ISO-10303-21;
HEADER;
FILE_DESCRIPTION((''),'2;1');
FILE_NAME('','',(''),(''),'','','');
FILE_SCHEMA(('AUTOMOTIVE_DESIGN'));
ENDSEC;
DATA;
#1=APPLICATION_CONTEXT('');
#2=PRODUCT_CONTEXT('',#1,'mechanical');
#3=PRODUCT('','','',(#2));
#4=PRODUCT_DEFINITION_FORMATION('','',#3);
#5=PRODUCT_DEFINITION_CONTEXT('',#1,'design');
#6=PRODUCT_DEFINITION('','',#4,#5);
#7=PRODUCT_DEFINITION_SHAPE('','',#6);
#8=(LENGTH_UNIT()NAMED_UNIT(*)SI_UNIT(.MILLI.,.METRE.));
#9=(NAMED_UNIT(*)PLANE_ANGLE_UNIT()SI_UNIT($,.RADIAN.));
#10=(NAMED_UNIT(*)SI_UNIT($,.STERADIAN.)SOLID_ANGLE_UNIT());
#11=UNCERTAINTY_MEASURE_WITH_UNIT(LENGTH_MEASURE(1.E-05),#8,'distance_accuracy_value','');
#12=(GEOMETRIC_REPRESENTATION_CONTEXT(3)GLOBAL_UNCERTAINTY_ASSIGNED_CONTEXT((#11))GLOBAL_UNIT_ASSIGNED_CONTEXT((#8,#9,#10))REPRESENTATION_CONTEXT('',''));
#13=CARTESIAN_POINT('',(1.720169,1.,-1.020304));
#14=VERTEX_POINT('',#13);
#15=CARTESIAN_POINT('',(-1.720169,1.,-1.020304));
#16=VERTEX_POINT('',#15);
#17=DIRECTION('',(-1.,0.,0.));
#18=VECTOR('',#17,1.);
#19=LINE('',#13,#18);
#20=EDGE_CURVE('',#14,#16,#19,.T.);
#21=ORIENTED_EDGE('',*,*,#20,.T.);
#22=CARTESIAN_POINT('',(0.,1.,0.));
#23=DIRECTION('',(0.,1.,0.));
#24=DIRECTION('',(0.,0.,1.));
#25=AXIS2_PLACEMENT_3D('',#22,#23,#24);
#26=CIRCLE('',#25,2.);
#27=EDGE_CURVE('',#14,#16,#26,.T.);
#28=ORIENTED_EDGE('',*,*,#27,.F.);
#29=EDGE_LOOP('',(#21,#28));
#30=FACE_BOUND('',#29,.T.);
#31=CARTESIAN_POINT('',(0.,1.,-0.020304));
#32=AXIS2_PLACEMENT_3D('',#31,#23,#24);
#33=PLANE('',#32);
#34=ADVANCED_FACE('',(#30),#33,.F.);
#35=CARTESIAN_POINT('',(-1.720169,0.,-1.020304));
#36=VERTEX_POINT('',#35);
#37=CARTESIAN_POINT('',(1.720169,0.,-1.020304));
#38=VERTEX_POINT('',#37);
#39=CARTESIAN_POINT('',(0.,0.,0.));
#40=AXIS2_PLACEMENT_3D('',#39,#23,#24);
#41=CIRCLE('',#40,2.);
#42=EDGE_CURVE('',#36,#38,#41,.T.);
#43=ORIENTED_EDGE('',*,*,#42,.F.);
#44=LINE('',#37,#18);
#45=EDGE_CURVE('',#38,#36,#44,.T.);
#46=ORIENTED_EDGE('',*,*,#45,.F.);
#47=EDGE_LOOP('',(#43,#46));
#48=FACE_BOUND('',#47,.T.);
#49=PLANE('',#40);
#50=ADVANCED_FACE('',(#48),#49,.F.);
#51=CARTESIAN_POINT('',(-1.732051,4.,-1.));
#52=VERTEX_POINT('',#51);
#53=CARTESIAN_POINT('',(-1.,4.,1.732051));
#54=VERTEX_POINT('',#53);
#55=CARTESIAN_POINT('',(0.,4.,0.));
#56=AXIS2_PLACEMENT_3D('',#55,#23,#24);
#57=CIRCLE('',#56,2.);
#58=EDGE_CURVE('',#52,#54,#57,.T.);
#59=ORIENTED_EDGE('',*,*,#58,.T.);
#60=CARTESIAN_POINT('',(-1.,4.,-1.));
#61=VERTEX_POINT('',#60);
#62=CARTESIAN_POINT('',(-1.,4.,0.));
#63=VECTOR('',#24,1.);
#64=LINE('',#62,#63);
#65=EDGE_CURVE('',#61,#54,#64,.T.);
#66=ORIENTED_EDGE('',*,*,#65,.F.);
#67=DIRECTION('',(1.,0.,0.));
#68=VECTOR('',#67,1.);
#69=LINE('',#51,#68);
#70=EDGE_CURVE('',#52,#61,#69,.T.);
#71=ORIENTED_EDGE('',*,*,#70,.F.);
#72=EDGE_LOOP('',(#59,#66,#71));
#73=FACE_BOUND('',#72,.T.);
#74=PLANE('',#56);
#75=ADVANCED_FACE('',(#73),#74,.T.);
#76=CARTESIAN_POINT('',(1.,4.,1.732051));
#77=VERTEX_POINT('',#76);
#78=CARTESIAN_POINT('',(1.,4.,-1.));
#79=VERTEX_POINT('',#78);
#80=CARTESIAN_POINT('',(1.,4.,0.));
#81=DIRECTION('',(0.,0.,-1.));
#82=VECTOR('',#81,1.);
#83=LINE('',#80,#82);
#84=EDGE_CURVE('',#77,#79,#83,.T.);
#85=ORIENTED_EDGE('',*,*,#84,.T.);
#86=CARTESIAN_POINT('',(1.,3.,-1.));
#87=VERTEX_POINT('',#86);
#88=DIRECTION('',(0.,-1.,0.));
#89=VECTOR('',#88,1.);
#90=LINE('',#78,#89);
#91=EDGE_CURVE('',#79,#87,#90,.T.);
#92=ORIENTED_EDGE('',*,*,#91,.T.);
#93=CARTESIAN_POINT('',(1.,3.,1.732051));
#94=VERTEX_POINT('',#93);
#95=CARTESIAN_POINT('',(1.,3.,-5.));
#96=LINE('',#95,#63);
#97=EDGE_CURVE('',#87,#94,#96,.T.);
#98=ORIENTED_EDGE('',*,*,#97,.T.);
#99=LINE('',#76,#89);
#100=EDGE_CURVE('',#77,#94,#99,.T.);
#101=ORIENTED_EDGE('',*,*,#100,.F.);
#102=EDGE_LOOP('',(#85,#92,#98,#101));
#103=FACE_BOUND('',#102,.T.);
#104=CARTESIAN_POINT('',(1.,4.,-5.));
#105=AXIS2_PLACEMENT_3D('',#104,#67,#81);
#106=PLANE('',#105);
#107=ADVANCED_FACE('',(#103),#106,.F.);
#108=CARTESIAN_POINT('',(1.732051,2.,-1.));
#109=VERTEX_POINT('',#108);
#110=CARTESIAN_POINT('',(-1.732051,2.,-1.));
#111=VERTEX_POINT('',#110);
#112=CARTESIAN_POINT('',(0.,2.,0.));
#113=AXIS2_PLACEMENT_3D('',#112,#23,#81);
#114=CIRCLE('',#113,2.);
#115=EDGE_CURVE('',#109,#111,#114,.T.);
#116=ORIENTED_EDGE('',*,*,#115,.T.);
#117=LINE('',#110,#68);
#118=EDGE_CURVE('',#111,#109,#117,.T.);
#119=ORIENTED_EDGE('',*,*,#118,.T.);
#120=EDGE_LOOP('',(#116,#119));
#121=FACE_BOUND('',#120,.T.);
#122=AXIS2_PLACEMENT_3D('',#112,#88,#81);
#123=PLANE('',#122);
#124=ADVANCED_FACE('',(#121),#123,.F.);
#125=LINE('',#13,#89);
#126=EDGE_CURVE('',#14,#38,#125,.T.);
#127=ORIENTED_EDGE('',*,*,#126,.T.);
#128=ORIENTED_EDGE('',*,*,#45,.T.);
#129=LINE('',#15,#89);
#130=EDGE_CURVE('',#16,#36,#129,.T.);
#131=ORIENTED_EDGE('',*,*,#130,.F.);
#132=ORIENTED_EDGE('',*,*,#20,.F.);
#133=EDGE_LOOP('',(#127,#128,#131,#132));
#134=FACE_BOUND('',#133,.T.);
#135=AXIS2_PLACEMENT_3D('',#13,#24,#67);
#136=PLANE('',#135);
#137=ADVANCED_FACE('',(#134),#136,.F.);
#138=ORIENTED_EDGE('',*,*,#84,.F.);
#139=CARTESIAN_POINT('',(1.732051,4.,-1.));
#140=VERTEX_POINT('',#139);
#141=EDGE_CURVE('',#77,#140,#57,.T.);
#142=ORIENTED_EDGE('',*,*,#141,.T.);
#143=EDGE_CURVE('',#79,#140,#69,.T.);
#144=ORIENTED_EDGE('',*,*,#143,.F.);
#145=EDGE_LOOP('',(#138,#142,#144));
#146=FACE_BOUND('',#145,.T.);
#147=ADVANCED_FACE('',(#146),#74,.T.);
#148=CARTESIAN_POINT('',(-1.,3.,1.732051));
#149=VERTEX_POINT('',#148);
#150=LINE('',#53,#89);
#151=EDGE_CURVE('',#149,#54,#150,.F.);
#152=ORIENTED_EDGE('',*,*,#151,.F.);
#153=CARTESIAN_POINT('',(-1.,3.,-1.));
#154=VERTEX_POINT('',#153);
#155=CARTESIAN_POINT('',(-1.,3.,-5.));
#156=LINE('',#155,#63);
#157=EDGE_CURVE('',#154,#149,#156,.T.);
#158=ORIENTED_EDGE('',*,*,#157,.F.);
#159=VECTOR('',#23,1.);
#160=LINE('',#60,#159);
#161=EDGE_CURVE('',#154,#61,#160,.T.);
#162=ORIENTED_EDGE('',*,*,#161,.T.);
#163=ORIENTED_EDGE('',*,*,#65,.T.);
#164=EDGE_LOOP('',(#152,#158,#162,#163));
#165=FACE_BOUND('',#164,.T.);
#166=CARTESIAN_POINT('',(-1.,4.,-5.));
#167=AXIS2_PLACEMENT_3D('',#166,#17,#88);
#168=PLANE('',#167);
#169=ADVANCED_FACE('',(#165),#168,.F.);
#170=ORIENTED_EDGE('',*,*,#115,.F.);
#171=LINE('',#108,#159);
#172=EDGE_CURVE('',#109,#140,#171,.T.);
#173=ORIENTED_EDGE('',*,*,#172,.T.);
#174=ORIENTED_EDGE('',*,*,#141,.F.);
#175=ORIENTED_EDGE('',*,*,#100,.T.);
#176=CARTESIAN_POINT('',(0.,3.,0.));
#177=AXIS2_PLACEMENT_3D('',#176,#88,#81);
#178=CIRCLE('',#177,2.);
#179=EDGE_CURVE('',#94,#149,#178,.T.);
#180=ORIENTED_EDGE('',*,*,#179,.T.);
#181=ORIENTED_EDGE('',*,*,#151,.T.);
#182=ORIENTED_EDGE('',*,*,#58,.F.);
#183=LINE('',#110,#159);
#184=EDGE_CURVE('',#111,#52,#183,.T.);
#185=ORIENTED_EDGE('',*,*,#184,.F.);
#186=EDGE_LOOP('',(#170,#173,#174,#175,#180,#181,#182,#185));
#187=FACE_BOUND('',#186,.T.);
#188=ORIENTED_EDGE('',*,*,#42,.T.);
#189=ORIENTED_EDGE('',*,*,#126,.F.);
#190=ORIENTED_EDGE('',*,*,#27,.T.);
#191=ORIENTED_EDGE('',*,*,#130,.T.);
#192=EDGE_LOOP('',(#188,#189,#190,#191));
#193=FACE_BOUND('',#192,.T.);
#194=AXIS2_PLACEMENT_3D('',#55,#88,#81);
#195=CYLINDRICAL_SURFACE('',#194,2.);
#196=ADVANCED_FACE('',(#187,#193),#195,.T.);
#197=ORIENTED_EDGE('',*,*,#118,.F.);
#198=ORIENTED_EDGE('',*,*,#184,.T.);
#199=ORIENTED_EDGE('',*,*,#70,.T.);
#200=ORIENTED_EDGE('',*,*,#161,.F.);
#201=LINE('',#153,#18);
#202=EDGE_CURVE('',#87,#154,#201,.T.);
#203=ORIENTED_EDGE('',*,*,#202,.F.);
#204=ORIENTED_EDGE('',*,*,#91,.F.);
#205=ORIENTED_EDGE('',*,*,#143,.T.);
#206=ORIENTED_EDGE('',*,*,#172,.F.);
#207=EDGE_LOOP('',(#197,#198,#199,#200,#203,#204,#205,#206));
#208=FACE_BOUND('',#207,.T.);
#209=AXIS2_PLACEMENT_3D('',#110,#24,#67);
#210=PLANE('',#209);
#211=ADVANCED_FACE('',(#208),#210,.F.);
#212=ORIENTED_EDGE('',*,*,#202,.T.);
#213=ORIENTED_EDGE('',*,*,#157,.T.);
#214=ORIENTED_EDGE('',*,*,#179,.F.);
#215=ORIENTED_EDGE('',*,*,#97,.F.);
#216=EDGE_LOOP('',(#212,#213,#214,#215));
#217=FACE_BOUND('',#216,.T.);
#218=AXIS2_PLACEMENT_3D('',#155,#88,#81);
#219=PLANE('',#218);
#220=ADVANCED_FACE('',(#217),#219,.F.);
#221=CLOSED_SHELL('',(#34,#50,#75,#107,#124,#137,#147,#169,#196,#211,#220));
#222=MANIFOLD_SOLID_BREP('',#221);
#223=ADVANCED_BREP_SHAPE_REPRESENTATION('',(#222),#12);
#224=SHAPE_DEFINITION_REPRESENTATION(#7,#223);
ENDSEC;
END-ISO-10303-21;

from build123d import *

# Parameters (mm, degrees)
SKETCH1_R           = 2
BOSS_EXTRUDE1_DEPTH = 4
SKETCH2_W           = 2
SKETCH2_H           = 1
CUT_EXTRUDE1_DEPTH  = 5
CUT_EXTRUDE2_DEPTH  = 2
CUT_EXTRUDE3_DEPTH  = 1


with BuildPart() as part:
    # Sketch1 → Boss-Extrude1 (new body)
    with BuildSketch(Plane(origin=(0, 0, 0), x_dir=(1, 0, 0), z_dir=(0, 1, 0))):
        Circle(SKETCH1_R)
    extrude(amount=BOSS_EXTRUDE1_DEPTH)

    # Sketch2 → Cut-Extrude1 (cut, symmetric)
    with BuildSketch(Plane.XY):
        with Locations((0, 3.5)):
            Rectangle(SKETCH2_W, SKETCH2_H)
    extrude(amount=CUT_EXTRUDE1_DEPTH, both=True, mode=Mode.SUBTRACT)

    # Sketch3 → Cut-Extrude2 (cut)
    with BuildSketch(Plane(origin=(0, 4, 0), x_dir=(1, 0, 0), z_dir=(0, 1, 0))):
        with BuildLine():
            Line((-1.732050808, 1), (1.732050808, 1))
            ThreePointArc((1.732050808, 1), (0, 2), (-1.732050808, 1))
        make_face()
    extrude(amount=-CUT_EXTRUDE2_DEPTH, mode=Mode.SUBTRACT)

    # Sketch4 → Cut-Extrude3 (cut)
    with BuildSketch(Plane.XZ):
        with BuildLine():
            Line((1.720168713, -1.020303679), (-1.720168713, -1.020303679))
            ThreePointArc((-1.720168713, -1.020303679), (0, -2.010022353), (1.720168713, -1.020303679))
        make_face()
    extrude(amount=-CUT_EXTRUDE3_DEPTH, mode=Mode.SUBTRACT)


solid = part.part
